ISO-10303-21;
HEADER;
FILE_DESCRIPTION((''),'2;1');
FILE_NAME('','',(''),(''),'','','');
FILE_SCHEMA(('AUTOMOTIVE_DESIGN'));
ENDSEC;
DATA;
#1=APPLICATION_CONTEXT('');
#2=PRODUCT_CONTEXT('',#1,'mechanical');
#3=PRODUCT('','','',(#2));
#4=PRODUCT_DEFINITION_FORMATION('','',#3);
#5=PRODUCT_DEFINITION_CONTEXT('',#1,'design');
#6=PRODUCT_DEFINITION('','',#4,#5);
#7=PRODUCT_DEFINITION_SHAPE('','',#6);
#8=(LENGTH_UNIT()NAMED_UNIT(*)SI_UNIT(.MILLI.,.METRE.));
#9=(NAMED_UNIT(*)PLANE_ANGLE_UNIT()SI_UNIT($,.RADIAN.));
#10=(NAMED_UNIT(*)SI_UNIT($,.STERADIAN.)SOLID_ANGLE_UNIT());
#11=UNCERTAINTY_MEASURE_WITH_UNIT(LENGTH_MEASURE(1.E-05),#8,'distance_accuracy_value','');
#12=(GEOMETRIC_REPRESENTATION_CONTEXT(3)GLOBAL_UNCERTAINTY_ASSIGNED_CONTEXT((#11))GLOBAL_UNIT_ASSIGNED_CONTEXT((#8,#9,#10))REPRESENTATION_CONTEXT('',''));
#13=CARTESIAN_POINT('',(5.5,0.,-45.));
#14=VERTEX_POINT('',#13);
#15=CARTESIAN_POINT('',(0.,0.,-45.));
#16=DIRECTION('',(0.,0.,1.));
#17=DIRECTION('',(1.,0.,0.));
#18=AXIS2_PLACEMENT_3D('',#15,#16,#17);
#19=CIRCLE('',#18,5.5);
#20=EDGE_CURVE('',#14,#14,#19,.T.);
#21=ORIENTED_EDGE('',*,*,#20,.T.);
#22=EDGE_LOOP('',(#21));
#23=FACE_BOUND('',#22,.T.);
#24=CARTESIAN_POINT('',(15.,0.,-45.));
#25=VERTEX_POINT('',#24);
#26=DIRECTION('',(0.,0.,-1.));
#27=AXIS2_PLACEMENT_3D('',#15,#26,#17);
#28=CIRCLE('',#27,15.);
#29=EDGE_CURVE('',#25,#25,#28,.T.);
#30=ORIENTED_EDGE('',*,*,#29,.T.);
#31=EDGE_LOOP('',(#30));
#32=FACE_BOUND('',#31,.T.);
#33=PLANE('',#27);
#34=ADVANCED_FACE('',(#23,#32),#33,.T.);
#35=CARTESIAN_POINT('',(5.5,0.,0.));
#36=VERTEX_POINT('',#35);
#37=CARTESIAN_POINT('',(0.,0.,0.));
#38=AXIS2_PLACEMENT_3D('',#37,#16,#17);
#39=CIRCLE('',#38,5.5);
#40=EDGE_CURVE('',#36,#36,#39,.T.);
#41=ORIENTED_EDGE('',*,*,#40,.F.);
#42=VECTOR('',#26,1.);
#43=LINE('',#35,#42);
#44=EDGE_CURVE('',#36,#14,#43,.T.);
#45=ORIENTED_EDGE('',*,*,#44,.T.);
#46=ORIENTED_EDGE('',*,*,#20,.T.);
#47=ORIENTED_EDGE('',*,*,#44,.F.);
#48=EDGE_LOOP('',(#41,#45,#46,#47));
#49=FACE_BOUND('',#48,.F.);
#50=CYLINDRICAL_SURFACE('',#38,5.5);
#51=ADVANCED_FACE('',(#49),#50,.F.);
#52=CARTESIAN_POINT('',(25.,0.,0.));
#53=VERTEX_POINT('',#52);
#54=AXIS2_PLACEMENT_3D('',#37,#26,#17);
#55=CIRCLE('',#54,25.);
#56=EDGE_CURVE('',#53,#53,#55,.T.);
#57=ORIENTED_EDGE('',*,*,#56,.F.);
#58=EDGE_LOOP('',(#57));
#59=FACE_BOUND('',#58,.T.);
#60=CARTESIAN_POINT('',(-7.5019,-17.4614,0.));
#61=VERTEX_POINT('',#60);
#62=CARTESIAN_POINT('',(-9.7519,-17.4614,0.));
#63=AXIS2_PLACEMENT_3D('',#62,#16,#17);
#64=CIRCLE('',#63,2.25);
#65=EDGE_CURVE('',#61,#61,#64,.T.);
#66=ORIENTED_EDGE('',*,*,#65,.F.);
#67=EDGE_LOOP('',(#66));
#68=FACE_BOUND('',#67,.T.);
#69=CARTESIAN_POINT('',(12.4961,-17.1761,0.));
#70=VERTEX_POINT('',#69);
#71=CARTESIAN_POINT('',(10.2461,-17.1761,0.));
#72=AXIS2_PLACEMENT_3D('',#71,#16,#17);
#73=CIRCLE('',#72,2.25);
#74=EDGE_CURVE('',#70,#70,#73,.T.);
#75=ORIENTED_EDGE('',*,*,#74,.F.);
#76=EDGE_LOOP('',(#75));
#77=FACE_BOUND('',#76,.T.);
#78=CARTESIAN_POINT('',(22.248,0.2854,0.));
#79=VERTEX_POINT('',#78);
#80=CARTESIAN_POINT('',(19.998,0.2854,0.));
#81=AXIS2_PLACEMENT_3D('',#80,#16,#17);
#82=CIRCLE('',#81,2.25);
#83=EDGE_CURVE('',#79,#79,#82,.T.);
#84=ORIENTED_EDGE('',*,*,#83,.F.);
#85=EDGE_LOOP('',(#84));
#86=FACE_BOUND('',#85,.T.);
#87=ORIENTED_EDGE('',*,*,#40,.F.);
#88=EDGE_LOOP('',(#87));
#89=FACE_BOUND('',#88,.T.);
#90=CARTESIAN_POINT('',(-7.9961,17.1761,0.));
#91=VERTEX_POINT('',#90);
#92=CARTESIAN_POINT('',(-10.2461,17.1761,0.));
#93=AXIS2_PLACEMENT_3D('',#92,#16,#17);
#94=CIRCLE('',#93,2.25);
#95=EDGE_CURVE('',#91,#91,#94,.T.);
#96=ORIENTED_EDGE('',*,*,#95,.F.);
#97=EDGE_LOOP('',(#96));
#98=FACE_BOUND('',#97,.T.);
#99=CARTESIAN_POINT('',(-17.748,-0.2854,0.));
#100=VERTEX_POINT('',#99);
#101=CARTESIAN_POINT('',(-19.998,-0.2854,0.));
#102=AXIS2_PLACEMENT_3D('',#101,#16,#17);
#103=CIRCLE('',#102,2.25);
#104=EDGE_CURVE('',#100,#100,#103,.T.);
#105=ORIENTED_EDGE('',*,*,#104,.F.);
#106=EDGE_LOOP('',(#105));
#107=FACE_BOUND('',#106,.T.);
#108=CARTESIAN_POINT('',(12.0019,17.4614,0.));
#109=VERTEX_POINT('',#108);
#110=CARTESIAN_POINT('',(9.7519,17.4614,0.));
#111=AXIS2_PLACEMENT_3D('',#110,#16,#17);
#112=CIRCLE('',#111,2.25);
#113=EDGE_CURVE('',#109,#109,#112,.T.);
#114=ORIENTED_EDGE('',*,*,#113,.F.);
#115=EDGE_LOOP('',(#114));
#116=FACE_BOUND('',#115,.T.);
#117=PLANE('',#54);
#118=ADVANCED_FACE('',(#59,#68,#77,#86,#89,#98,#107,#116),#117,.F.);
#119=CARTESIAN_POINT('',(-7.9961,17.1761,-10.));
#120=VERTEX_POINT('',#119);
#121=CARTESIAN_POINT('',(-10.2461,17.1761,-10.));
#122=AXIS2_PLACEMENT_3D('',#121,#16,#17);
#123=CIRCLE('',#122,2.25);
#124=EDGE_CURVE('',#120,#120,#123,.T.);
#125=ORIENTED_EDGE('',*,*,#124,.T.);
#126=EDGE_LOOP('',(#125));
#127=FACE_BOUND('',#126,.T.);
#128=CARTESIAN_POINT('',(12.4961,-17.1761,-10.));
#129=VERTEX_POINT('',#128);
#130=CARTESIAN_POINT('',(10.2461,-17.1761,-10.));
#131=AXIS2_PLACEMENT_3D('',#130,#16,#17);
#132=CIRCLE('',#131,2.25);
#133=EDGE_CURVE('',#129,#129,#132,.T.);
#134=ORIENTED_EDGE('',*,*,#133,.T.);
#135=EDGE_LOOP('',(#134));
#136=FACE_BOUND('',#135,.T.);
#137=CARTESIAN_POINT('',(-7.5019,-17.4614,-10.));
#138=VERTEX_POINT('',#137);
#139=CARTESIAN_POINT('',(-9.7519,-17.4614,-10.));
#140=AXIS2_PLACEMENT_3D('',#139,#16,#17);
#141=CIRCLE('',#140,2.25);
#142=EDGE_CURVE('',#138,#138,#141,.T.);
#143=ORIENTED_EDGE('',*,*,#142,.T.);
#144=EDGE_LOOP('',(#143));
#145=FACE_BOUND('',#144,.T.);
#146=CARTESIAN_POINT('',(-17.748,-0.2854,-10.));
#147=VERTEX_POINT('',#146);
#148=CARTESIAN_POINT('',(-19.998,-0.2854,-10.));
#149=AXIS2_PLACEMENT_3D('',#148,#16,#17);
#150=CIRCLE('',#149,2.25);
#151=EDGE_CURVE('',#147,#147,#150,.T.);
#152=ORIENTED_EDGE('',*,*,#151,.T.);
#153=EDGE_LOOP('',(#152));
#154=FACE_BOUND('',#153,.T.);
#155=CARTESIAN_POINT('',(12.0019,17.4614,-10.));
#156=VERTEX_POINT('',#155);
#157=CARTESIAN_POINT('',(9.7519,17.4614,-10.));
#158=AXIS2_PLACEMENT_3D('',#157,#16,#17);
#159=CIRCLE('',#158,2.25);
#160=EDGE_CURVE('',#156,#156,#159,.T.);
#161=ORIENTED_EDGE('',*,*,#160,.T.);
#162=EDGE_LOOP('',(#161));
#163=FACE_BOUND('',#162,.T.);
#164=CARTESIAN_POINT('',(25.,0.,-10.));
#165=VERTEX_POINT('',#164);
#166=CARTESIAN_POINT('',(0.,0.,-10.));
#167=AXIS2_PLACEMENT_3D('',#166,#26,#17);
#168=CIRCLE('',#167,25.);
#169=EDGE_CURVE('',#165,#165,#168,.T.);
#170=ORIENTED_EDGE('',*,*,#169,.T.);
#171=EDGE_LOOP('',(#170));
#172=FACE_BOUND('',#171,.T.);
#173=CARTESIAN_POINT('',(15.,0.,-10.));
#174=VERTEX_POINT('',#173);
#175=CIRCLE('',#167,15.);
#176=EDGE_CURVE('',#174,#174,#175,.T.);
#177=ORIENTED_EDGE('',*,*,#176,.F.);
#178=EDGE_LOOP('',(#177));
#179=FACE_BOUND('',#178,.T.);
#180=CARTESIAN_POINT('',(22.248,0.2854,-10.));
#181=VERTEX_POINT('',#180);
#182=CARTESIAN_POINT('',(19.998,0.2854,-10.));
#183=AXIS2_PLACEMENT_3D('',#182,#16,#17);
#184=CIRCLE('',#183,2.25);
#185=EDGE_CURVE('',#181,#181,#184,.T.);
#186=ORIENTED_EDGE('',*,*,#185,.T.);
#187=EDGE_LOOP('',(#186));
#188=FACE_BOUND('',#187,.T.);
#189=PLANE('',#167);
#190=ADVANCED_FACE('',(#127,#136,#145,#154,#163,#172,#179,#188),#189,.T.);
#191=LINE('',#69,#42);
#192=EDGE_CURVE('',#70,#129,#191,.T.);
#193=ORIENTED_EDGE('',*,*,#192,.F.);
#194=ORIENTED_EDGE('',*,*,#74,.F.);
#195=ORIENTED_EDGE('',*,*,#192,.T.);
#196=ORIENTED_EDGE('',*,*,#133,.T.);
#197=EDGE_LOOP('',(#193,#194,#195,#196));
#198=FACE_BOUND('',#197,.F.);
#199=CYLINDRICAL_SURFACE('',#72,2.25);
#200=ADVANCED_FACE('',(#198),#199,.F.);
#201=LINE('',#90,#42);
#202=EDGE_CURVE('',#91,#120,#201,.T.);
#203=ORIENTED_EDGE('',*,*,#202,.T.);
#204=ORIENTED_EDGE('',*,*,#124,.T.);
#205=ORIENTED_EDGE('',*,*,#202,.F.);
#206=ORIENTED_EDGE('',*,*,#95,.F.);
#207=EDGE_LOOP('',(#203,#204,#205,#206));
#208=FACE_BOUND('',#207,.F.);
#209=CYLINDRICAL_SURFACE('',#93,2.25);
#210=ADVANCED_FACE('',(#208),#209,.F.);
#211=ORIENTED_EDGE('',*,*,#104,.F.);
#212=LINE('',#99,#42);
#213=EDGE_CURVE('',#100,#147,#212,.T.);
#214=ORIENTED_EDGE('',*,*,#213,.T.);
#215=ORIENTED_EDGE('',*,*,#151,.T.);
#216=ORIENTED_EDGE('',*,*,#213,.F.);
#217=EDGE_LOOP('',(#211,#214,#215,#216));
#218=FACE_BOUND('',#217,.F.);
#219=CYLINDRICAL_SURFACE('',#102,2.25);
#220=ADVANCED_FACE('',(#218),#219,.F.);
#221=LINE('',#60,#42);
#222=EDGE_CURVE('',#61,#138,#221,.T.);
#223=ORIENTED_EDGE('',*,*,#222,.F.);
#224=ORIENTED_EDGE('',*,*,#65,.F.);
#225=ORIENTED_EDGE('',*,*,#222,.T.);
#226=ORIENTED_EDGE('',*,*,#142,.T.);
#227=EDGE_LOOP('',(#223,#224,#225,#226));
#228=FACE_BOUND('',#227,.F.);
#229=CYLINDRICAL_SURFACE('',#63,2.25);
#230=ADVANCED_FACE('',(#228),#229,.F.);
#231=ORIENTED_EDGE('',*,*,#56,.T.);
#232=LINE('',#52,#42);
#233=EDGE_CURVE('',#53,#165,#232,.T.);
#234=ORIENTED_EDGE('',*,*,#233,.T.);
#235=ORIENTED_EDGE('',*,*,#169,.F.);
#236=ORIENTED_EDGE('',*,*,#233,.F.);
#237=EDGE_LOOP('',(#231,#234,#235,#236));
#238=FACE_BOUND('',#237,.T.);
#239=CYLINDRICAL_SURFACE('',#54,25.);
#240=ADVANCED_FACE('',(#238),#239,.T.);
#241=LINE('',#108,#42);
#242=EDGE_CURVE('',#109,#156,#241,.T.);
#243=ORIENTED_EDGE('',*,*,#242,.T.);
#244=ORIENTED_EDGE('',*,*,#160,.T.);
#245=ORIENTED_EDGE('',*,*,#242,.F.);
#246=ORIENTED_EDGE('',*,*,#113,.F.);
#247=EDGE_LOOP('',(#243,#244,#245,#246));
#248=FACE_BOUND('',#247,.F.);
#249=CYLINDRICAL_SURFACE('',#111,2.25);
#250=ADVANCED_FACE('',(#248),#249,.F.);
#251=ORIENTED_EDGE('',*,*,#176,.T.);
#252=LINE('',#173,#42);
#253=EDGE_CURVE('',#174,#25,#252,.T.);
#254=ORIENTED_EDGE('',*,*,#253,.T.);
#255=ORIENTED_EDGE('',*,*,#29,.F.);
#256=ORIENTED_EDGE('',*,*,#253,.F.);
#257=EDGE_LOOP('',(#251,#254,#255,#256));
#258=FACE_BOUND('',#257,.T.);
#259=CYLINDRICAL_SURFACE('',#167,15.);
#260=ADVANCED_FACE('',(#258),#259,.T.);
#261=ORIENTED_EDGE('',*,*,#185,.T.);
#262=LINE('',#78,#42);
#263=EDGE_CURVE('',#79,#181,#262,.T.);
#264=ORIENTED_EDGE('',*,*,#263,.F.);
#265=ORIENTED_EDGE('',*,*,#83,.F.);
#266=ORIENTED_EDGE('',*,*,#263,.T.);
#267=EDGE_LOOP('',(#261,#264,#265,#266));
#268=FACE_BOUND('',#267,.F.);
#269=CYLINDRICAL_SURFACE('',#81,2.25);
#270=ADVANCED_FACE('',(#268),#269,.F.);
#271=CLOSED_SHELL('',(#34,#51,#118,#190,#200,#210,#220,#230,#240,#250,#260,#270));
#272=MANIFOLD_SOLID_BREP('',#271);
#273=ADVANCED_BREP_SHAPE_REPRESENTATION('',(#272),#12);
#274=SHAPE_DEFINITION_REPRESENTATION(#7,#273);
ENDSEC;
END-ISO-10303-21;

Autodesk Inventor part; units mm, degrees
ref_plane "YZ Plane" through (0, 0, 0) normal (1, 0, 0) x (0, 1, 0)
ref_plane "XZ Plane" through (0, 0, 0) normal (0, 1, 0) x (-1, 0, 0)
ref_plane "XY Plane" through (0, 0, 0) normal (0, 0, 1) x (1, 0, 0)
sketch "Sketch1" plane through (0, 0, 0) normal (0, 1, 0) x (-1, 0, 0)
  line L0 (0, 0) -> (-25, 0)
  line L1 (-25, 0) -> (-25, -10)
  line L2 (-25, -10) -> (-15, -10)
  line L3 (-15, -10) -> (-15, -45)
  line L4 (-15, -45) -> (0, -45)
  line L5 (0, 0) -> (0, -45)
  dimension "d3" = 25
  dimension "d4" = 10
  dimension "d5" = 10
  dimension "d6" = 35
  dimension "d7" = 15
revolve "Revolution1" add sketch "Sketch1" angle 360 about axis through (0, 0, 0) along (0, 0, -1)
sketch "Sketch2" plane through (0, 0, 0) normal (0, 0, 1) x (1, 0, 0)
  line L0 (0, 0) -> (30.242, 0) construction
  line L1 (0, 0.5707) -> (22.435, 0.5707) construction
  circle A0 centre (9.7519, 17.4614) radius 2.25
  circle A1 centre (19.998, 0.2854) radius 2.25
  circle A2 centre (10.2461, -17.1761) radius 2.25
  circle A3 centre (-9.7519, -17.4614) radius 2.25
  circle A4 centre (-19.998, -0.2854) radius 2.25
  circle A5 centre (-10.2461, 17.1761) radius 2.25
  dimension "d12" = 4.5
  dimension "d15" = 360
extrude "Extrusion1" cut sketch "Sketch2" against normal through all
sketch "Sketch3" plane through (0, 0, 0) normal (0, 0, 1) x (1, 0, 0)
  circle A0 centre (0, 0) radius 5.5
  dimension "d19" = 11
extrude "Extrusion2" cut sketch "Sketch3" against normal through all
thread "Thread1" size "1/2-13 UNC" class "2B" standard "ANSI Unified Screw Threads" full length
properties part number "nut"
